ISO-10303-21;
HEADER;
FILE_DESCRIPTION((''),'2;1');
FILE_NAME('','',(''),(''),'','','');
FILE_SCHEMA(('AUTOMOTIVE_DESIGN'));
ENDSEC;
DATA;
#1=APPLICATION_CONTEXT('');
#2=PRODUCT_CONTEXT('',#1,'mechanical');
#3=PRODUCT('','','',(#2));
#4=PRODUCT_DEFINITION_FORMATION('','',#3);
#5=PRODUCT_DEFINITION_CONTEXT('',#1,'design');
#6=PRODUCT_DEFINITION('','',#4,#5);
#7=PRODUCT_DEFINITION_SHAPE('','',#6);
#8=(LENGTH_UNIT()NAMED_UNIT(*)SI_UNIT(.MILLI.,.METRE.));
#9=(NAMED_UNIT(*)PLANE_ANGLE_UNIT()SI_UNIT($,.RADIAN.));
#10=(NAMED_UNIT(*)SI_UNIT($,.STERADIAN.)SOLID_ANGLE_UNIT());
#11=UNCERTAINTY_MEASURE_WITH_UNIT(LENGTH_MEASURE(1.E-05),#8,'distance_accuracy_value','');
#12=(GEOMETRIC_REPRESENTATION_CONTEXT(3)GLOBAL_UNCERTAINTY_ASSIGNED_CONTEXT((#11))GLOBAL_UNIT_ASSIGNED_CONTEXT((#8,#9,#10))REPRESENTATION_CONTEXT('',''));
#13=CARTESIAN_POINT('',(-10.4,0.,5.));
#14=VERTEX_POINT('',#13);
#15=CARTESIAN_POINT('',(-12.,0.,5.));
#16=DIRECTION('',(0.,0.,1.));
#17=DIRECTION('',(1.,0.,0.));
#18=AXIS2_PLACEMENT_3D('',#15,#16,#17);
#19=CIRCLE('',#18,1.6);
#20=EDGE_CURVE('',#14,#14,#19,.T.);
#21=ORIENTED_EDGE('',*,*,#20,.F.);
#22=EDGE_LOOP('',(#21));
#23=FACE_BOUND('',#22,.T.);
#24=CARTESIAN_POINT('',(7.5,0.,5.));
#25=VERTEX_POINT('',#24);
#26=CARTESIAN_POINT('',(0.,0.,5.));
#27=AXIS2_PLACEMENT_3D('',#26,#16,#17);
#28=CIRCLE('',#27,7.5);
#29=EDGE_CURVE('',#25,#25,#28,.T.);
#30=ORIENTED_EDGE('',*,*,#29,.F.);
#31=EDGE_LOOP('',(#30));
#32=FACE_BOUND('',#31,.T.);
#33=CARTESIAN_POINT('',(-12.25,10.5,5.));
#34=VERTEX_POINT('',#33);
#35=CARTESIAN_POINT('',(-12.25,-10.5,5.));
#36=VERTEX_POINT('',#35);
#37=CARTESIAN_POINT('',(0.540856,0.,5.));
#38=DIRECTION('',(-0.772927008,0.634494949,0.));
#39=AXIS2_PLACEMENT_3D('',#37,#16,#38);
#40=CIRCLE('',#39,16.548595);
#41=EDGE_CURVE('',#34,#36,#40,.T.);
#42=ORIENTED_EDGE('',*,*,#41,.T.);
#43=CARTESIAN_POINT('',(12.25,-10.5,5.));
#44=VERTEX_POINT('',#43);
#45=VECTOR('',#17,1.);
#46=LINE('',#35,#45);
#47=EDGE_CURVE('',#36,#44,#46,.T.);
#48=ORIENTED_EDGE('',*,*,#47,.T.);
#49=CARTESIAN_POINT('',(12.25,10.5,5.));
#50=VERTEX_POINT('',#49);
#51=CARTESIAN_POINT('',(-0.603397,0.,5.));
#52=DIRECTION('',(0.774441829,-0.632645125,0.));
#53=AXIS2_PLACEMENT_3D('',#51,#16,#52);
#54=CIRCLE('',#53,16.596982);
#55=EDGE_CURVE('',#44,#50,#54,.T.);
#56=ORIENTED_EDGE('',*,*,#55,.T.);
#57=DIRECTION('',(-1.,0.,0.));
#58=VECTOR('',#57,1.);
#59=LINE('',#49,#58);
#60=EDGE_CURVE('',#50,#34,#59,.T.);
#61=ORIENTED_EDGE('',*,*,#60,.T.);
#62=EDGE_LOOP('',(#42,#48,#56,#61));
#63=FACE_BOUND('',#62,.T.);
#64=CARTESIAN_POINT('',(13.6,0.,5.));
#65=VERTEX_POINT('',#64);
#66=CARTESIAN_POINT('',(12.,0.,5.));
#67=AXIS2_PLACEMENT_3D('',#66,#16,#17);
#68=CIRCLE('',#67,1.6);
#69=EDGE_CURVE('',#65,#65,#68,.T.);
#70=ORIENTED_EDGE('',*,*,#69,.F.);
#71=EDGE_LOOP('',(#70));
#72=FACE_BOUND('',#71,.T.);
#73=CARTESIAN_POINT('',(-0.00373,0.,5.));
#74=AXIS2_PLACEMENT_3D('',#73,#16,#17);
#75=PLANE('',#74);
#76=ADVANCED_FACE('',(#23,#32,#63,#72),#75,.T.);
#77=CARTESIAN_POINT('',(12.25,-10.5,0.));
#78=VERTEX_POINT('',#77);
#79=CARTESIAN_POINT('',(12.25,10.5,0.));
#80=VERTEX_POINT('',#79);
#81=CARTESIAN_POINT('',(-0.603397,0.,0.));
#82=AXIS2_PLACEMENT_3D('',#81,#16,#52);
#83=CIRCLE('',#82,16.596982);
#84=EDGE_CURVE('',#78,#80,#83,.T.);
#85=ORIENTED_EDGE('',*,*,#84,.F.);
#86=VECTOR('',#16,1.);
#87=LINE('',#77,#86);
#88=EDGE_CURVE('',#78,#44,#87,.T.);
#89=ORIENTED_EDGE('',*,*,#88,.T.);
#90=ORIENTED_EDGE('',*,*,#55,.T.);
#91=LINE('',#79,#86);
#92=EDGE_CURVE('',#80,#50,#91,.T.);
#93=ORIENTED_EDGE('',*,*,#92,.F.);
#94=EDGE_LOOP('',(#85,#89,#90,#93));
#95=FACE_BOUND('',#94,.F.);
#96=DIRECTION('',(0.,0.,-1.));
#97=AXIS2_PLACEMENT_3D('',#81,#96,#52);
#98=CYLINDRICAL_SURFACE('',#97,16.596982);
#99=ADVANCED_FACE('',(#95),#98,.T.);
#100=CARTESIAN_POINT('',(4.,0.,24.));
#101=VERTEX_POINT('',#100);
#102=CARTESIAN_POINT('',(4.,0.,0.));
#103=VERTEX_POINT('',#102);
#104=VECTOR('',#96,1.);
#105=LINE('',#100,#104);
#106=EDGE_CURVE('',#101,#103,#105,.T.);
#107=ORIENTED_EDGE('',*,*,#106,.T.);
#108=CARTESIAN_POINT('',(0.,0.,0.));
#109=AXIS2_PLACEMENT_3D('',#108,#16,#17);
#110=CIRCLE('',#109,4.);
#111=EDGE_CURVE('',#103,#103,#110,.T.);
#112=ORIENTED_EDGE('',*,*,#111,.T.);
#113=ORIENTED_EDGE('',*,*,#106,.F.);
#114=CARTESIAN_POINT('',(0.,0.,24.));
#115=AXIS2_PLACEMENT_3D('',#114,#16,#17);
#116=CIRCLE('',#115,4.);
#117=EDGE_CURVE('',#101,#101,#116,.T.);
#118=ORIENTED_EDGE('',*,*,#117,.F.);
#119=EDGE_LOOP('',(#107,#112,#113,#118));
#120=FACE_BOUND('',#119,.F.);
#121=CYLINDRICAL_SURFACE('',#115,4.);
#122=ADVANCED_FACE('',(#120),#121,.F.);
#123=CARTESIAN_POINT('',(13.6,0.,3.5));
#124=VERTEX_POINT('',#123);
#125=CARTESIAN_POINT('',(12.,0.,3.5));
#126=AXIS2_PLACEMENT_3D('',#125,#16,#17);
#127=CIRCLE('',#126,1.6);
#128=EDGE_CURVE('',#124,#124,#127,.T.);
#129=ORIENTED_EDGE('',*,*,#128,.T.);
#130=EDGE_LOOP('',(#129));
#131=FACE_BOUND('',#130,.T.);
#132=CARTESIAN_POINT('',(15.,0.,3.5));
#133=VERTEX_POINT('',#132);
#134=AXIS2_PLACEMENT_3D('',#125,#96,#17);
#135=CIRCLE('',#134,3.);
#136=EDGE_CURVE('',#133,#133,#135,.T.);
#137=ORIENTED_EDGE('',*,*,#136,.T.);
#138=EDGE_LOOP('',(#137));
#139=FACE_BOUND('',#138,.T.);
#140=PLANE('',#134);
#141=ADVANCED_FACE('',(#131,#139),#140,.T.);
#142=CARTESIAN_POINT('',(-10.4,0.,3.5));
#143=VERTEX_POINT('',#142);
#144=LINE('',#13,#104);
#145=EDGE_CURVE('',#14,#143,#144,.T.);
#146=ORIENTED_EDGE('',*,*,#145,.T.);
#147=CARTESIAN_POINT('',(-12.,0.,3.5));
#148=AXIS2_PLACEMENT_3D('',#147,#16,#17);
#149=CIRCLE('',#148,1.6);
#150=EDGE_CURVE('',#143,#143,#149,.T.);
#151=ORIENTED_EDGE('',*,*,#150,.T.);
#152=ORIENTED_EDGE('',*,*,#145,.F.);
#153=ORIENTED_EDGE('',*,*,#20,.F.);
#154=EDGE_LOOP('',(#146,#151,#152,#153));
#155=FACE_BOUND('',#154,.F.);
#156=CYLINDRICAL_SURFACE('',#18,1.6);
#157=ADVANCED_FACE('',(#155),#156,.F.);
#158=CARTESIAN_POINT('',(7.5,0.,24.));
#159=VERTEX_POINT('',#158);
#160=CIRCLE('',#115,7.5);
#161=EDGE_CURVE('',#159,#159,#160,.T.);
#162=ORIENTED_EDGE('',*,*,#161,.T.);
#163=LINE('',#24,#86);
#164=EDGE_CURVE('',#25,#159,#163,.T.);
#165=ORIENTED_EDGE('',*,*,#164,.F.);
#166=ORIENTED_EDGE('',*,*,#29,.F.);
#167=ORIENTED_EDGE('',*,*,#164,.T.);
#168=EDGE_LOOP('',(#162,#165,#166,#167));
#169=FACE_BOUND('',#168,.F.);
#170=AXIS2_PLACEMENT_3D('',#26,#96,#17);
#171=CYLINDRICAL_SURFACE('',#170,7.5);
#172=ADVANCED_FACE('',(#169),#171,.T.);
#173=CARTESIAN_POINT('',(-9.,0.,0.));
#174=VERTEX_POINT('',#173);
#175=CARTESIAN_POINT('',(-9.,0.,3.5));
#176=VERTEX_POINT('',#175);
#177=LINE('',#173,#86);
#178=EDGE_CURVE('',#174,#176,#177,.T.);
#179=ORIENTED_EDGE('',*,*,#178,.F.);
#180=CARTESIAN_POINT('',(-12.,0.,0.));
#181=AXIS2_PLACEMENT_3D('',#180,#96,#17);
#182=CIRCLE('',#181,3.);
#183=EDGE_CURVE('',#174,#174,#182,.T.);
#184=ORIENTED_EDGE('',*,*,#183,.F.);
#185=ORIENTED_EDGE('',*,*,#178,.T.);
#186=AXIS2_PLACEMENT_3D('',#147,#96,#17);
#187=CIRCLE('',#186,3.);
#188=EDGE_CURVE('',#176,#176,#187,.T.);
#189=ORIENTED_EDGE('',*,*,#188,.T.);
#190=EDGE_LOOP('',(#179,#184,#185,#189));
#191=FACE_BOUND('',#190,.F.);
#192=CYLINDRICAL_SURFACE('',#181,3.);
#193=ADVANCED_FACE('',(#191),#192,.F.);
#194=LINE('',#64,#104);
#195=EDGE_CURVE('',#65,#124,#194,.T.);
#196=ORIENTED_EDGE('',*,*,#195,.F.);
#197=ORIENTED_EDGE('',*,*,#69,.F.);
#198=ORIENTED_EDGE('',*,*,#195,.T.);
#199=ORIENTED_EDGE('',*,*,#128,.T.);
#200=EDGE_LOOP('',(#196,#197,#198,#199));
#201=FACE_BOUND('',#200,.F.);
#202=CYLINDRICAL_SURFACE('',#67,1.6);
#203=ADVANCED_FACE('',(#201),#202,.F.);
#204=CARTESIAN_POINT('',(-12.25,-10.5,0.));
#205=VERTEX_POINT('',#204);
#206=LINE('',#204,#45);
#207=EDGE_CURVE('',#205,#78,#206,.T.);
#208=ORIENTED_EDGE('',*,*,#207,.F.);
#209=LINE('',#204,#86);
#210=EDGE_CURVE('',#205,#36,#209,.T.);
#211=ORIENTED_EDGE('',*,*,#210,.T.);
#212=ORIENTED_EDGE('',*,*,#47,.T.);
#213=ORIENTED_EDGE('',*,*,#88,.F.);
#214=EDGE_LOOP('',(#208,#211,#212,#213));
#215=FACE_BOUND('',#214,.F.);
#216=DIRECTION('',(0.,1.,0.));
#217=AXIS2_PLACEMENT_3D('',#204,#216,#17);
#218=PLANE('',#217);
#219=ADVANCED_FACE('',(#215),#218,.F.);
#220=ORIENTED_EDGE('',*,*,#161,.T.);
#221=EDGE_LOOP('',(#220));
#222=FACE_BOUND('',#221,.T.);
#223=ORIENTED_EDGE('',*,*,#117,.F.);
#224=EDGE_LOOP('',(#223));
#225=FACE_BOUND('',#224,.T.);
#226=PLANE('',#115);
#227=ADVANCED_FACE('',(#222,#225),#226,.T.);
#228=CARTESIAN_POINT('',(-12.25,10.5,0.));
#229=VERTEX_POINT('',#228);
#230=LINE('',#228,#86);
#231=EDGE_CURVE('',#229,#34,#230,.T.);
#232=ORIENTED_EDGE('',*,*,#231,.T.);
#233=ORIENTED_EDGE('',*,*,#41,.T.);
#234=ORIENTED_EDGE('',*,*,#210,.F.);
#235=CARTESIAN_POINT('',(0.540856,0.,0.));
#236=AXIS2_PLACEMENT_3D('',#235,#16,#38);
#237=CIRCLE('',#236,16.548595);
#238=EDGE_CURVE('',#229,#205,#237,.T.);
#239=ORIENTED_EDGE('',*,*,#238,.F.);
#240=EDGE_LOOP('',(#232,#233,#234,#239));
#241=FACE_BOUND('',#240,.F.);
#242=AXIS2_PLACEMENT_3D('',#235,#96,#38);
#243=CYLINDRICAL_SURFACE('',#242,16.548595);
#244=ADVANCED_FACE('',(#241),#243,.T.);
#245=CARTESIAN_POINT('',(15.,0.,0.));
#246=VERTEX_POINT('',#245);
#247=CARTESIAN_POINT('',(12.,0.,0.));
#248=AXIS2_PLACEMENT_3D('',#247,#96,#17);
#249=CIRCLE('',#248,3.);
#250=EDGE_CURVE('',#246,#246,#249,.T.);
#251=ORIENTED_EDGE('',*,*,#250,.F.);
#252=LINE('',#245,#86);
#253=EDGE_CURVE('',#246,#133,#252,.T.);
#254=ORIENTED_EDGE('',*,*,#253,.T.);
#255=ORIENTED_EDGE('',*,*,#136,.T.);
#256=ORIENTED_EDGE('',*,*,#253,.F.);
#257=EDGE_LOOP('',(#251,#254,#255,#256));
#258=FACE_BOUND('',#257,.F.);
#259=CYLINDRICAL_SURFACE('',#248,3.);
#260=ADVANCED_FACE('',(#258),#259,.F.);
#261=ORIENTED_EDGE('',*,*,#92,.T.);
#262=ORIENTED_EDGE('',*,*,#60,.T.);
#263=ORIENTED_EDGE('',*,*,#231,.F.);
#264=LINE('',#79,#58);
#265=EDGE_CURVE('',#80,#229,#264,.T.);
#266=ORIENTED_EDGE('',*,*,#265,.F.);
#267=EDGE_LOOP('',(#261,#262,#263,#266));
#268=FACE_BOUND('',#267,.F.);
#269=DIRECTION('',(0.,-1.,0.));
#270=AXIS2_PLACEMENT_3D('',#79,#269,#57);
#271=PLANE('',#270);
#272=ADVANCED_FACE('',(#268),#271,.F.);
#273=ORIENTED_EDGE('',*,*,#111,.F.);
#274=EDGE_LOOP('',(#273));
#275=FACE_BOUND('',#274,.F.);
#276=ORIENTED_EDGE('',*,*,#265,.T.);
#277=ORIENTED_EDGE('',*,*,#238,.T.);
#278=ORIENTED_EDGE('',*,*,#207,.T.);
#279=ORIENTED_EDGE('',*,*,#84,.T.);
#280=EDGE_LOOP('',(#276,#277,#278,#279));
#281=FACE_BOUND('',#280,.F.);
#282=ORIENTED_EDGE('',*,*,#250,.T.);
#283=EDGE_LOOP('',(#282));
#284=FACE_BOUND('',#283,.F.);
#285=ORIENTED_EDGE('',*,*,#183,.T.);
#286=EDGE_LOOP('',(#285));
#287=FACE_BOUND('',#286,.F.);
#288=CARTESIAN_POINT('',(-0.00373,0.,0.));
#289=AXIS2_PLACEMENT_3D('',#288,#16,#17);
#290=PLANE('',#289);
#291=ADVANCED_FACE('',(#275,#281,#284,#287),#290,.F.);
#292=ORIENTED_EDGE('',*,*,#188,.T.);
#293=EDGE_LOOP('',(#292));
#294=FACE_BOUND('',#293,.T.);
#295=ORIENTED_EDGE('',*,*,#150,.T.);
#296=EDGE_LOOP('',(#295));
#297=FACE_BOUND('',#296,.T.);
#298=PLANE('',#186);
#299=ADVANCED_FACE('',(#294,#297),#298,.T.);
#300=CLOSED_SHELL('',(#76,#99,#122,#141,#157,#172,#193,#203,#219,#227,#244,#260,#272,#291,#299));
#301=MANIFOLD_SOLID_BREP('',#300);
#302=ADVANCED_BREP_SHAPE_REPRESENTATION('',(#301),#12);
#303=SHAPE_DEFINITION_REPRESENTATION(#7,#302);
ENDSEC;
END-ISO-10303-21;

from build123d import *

# Parameters (mm, degrees)
PAD_DEPTH       = 5
SKETCH001_R     = 1.6
POCKET_DEPTH    = 5.001
SKETCH002_R     = 7.5
PAD001_DEPTH    = 19
SKETCH003_R     = 4
POCKET001_DEPTH = 24.001
SKETCH004_R     = 3
POCKET002_DEPTH = 3.5


with BuildPart() as part:
    # Sketch → Pad (new body)
    with BuildSketch(Plane.XY):
        with BuildLine():
            Line((-12.25, -10.5), (12.25, -10.5))
            ThreePointArc((12.25, -10.5), (15.993585, 0), (12.25, 10.5))
            Line((12.25, 10.5), (-12.25, 10.5))
            ThreePointArc((-12.25, 10.5), (-16.007739, 0), (-12.25, -10.5))
        make_face()
    extrude(amount=PAD_DEPTH)

    # Sketch001 (on Face6 of Pad) → Pocket (cut, through all)
    with BuildSketch(Plane.XY.offset(5)):
        with Locations((-12, 0)):
            Circle(SKETCH001_R)
        with Locations((12, 0)):
            Circle(SKETCH001_R)
    extrude(amount=-POCKET_DEPTH, mode=Mode.SUBTRACT)

    # Sketch002 (on Face5 of Pocket) → Pad001 (join)
    with BuildSketch(Plane.XY.offset(5)):
        Circle(SKETCH002_R)
    extrude(amount=PAD001_DEPTH)

    # Sketch003 (on Face10 of Pad001) → Pocket001 (cut, through all)
    with BuildSketch(Plane.XY.offset(24)):
        Circle(SKETCH003_R)
    extrude(amount=-POCKET001_DEPTH, mode=Mode.SUBTRACT)

    # Sketch004 (on Face4 of Pocket001) → Pocket002 (cut)
    with BuildSketch(Plane(origin=(0, 0, 0), x_dir=(1, 0, 0), z_dir=(0, 0, -1))):
        with Locations((-12, 0)):
            Circle(SKETCH004_R)
        with Locations((12, 0)):
            Circle(SKETCH004_R)
    extrude(amount=-POCKET002_DEPTH, mode=Mode.SUBTRACT)


solid = part.part
